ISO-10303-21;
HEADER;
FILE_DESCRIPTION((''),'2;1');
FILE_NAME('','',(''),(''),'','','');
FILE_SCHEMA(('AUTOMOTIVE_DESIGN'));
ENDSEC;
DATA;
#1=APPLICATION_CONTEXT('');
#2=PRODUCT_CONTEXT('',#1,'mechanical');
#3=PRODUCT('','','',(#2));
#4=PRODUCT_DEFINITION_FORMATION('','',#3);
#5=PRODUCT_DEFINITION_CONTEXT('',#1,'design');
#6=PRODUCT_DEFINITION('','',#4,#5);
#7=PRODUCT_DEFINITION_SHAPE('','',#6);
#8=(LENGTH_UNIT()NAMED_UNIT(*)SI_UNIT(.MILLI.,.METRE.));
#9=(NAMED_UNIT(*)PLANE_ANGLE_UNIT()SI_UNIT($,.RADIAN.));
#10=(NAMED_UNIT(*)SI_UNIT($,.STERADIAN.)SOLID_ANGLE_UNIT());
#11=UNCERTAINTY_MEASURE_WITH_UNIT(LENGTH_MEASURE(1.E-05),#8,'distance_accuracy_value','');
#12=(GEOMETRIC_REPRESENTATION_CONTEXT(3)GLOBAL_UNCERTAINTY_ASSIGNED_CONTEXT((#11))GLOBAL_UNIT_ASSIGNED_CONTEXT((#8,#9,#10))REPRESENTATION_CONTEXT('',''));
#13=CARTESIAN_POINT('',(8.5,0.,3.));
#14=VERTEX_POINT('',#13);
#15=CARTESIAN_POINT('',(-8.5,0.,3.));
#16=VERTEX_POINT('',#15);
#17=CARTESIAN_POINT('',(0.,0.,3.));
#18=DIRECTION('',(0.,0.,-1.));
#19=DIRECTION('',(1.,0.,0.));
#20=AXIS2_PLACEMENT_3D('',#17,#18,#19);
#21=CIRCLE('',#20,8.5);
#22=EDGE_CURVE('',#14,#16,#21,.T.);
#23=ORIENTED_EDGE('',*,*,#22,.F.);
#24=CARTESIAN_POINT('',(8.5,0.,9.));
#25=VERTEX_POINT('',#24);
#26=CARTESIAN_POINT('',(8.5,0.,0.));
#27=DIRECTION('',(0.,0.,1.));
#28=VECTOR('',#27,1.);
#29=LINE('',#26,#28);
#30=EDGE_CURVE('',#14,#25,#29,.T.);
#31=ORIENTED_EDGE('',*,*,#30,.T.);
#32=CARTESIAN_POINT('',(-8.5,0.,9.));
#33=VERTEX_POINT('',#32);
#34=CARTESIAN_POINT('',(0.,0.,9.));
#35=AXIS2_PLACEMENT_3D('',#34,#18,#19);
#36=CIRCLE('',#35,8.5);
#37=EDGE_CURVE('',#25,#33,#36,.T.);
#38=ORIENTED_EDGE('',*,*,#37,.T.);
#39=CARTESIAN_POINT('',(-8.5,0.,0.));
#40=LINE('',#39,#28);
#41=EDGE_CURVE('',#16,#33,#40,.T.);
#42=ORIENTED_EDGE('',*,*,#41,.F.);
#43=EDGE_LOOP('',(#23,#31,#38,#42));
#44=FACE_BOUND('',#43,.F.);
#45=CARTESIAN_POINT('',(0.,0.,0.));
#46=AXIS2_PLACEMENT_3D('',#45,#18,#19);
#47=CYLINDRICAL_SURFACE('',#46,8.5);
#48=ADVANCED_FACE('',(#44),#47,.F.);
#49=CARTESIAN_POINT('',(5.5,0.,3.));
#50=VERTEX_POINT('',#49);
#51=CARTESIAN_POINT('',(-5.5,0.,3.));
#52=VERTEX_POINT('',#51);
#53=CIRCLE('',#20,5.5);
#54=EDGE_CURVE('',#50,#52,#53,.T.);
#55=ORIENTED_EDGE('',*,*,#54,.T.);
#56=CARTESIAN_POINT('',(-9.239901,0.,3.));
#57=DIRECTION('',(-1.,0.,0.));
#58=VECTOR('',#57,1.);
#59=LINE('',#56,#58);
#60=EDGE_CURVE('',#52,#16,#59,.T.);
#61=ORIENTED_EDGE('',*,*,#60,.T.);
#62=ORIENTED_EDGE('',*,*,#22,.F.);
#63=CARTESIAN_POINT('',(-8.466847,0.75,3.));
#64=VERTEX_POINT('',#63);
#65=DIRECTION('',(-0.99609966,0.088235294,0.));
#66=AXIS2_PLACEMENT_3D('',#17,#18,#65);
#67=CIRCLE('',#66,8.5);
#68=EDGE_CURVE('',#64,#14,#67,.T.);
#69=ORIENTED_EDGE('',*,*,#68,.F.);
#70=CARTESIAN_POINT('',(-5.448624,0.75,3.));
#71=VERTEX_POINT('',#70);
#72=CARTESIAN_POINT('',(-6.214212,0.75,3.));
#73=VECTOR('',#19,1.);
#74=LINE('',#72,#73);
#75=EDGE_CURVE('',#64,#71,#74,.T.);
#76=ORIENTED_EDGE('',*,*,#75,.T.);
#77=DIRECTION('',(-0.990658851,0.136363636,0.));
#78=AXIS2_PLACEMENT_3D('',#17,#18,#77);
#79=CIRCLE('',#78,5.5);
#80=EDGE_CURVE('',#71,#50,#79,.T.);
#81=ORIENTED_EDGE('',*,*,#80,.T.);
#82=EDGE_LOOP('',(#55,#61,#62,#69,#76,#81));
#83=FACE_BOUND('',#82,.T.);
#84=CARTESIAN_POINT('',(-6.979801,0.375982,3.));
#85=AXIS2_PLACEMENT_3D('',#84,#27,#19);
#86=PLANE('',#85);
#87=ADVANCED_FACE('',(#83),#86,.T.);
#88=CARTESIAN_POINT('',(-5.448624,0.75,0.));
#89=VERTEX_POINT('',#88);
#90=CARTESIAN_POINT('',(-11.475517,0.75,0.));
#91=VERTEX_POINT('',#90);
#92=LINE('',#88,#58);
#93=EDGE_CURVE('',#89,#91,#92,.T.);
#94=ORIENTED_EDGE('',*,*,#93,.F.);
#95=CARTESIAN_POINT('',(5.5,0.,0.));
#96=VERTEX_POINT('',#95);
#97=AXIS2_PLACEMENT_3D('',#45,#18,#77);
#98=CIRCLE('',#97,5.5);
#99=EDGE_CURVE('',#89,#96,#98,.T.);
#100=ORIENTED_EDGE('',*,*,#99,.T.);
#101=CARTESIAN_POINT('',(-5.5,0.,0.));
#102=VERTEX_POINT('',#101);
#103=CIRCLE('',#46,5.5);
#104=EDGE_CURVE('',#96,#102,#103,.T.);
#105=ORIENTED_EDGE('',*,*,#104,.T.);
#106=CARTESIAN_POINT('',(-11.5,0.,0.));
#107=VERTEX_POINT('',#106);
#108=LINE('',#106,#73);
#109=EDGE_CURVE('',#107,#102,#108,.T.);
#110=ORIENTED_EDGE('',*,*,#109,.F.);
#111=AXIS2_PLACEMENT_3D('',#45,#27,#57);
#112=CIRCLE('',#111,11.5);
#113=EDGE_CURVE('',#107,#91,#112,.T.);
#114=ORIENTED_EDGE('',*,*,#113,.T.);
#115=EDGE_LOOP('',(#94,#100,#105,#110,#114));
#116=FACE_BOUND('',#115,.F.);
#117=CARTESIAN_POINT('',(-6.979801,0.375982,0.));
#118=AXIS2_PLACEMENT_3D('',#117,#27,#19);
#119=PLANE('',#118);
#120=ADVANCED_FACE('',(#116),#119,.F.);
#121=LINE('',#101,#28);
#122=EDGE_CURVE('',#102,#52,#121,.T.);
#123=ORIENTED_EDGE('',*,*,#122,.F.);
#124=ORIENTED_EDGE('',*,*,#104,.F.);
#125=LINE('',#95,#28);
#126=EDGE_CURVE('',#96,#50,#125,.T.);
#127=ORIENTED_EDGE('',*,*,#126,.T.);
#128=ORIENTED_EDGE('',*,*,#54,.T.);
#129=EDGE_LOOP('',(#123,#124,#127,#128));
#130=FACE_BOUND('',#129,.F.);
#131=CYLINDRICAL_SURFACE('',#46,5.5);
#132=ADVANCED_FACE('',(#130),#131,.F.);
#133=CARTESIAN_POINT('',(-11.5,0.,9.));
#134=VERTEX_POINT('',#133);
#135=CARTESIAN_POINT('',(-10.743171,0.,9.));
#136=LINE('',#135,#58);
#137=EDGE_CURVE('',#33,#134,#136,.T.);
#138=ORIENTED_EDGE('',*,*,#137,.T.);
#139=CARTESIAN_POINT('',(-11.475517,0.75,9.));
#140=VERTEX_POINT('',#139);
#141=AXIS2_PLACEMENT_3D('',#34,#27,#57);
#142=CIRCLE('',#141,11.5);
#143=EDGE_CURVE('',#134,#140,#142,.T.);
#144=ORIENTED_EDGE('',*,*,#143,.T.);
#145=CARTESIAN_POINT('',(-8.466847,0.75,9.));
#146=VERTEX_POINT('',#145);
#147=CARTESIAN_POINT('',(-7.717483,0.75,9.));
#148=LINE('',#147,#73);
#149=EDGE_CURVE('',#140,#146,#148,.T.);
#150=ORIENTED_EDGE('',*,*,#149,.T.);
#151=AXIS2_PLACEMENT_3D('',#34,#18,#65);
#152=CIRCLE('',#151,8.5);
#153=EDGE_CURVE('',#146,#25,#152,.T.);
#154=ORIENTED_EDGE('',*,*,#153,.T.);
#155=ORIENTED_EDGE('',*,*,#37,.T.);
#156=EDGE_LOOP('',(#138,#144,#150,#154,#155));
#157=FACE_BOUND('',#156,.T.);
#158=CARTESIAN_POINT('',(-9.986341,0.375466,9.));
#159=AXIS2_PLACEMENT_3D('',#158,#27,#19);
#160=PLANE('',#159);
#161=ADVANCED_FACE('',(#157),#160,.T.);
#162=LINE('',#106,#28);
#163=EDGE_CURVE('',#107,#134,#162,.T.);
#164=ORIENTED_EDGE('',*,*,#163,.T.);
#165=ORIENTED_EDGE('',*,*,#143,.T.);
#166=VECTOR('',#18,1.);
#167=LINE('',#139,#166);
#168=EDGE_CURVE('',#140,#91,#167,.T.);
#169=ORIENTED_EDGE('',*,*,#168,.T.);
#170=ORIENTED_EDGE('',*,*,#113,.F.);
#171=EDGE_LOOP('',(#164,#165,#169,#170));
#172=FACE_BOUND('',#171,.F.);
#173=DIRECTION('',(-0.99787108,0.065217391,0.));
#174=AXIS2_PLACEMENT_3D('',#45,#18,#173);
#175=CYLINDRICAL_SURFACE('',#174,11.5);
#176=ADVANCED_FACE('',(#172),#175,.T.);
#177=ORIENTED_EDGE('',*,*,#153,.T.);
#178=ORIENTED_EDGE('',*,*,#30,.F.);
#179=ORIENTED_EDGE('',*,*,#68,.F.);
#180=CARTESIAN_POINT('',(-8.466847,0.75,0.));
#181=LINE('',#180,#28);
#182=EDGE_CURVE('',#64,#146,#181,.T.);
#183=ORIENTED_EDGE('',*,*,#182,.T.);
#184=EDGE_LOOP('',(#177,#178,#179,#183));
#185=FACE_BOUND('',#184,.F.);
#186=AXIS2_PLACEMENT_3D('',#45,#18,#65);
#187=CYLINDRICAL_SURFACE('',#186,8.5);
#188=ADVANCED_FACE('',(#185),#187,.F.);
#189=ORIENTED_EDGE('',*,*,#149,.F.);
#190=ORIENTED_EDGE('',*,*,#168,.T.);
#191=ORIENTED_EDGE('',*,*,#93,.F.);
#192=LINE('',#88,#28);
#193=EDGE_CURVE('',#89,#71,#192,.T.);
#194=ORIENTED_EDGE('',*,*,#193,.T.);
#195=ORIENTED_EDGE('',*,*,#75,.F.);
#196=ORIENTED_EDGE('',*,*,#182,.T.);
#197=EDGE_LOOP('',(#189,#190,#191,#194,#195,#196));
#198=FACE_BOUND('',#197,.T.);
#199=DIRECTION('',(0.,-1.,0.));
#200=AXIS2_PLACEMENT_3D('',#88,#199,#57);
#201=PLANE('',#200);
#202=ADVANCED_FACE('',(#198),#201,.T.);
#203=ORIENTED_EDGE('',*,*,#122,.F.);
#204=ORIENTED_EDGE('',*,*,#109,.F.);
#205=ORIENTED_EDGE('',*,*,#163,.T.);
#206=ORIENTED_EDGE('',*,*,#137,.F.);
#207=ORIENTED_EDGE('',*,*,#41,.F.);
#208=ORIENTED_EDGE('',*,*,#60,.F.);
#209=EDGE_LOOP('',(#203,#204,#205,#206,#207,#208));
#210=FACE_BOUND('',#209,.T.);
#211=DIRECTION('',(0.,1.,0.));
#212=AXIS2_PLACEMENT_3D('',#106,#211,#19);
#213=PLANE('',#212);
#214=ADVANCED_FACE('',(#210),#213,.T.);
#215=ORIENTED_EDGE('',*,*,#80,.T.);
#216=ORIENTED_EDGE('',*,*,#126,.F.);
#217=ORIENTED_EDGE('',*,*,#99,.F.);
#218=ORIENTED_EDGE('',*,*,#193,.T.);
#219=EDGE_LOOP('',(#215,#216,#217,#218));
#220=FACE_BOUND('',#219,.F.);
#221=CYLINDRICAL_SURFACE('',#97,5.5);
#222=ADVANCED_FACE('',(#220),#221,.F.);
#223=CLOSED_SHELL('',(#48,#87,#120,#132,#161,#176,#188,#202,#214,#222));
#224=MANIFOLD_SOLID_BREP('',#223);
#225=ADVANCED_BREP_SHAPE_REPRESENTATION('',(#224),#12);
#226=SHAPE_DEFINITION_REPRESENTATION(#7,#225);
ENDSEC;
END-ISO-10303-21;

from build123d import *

# Parameters (mm, degrees)
F1_DEPTH = 3
F2_DEPTH = 9
F3_DEPTH = 9.001


with BuildPart() as f1:
    # F0 (on Top) → F1 (new body)
    with BuildSketch(Plane.XY):
        with BuildLine():
            Line((-5.4486236794, 0.75), (-8.4668471109, 0.75))
            ThreePointArc((-8.4668471109, 0.75), (-8.4917077329, 0.3753661926), (-8.5, 0))
            Line((-8.5, 0), (-5.5, 0))
            ThreePointArc((-5.5, 0), (-5.4871408874, 0.3758788124), (-5.4486236794, 0.75))
        make_face()
        with BuildLine():
            ThreePointArc((-8.5, 0), (0, -8.5), (8.5, 0))
            ThreePointArc((8.5, 0), (0.3753661926, 8.4917077329), (-8.4668471109, 0.75))
            Line((-8.4668471109, 0.75), (-5.4486236794, 0.75))
            ThreePointArc((-5.4486236794, 0.75), (0.3758788124, 5.4871408874), (5.5, 0))
            ThreePointArc((5.5, 0), (0, -5.5), (-5.5, 0))
            Line((-5.5, 0), (-8.5, 0))
        make_face()
        with BuildLine():
            ThreePointArc((-8.5, 0), (-8.4917077329, 0.3753661926), (-8.4668471109, 0.75))
            Line((-8.4668471109, 0.75), (-11.4755174175, 0.75))
            ThreePointArc((-11.4755174175, 0.75), (-11.4938777247, 0.3751997458), (-11.5, 0))
            Line((-11.5, 0), (-8.5, 0))
        make_face()
        with BuildLine():
            ThreePointArc((-8.4668471109, 0.75), (0.3753661926, 8.4917077329), (8.5, 0))
            ThreePointArc((8.5, 0), (0, -8.5), (-8.5, 0))
            Line((-8.5, 0), (-11.5, 0))
            ThreePointArc((-11.5, 0), (0, -11.5), (11.5, 0))
            ThreePointArc((11.5, 0), (0.3751997458, 11.4938777247), (-11.4755174175, 0.75))
            Line((-11.4755174175, 0.75), (-8.4668471109, 0.75))
        make_face()
    extrude(amount=F1_DEPTH)

    # F0 (on Top) → F2 (join)
    with BuildSketch(Plane.XY):
        with BuildLine():
            ThreePointArc((-8.5, 0), (-8.4917077329, 0.3753661926), (-8.4668471109, 0.75))
            Line((-8.4668471109, 0.75), (-11.4755174175, 0.75))
            ThreePointArc((-11.4755174175, 0.75), (-11.4938777247, 0.3751997458), (-11.5, 0))
            Line((-11.5, 0), (-8.5, 0))
        make_face()
        with BuildLine():
            ThreePointArc((-8.4668471109, 0.75), (0.3753661926, 8.4917077329), (8.5, 0))
            ThreePointArc((8.5, 0), (0, -8.5), (-8.5, 0))
            Line((-8.5, 0), (-11.5, 0))
            ThreePointArc((-11.5, 0), (0, -11.5), (11.5, 0))
            ThreePointArc((11.5, 0), (0.3751997458, 11.4938777247), (-11.4755174175, 0.75))
            Line((-11.4755174175, 0.75), (-8.4668471109, 0.75))
        make_face()
    extrude(amount=F2_DEPTH)

    # F0 (on Top) → F3 (cut, through all)
    with BuildSketch(Plane.XY):
        with BuildLine():
            Line((-5.4486236794, 0.75), (-8.4668471109, 0.75))
            ThreePointArc((-8.4668471109, 0.75), (-8.4917077329, 0.3753661926), (-8.5, 0))
            Line((-8.5, 0), (-5.5, 0))
            ThreePointArc((-5.5, 0), (-5.4871408874, 0.3758788124), (-5.4486236794, 0.75))
        make_face()
        with BuildLine():
            ThreePointArc((-8.5, 0), (-8.4917077329, 0.3753661926), (-8.4668471109, 0.75))
            Line((-8.4668471109, 0.75), (-11.4755174175, 0.75))
            ThreePointArc((-11.4755174175, 0.75), (-11.4938777247, 0.3751997458), (-11.5, 0))
            Line((-11.5, 0), (-8.5, 0))
        make_face()
    extrude(amount=F3_DEPTH, mode=Mode.SUBTRACT)


solid = f1.part
